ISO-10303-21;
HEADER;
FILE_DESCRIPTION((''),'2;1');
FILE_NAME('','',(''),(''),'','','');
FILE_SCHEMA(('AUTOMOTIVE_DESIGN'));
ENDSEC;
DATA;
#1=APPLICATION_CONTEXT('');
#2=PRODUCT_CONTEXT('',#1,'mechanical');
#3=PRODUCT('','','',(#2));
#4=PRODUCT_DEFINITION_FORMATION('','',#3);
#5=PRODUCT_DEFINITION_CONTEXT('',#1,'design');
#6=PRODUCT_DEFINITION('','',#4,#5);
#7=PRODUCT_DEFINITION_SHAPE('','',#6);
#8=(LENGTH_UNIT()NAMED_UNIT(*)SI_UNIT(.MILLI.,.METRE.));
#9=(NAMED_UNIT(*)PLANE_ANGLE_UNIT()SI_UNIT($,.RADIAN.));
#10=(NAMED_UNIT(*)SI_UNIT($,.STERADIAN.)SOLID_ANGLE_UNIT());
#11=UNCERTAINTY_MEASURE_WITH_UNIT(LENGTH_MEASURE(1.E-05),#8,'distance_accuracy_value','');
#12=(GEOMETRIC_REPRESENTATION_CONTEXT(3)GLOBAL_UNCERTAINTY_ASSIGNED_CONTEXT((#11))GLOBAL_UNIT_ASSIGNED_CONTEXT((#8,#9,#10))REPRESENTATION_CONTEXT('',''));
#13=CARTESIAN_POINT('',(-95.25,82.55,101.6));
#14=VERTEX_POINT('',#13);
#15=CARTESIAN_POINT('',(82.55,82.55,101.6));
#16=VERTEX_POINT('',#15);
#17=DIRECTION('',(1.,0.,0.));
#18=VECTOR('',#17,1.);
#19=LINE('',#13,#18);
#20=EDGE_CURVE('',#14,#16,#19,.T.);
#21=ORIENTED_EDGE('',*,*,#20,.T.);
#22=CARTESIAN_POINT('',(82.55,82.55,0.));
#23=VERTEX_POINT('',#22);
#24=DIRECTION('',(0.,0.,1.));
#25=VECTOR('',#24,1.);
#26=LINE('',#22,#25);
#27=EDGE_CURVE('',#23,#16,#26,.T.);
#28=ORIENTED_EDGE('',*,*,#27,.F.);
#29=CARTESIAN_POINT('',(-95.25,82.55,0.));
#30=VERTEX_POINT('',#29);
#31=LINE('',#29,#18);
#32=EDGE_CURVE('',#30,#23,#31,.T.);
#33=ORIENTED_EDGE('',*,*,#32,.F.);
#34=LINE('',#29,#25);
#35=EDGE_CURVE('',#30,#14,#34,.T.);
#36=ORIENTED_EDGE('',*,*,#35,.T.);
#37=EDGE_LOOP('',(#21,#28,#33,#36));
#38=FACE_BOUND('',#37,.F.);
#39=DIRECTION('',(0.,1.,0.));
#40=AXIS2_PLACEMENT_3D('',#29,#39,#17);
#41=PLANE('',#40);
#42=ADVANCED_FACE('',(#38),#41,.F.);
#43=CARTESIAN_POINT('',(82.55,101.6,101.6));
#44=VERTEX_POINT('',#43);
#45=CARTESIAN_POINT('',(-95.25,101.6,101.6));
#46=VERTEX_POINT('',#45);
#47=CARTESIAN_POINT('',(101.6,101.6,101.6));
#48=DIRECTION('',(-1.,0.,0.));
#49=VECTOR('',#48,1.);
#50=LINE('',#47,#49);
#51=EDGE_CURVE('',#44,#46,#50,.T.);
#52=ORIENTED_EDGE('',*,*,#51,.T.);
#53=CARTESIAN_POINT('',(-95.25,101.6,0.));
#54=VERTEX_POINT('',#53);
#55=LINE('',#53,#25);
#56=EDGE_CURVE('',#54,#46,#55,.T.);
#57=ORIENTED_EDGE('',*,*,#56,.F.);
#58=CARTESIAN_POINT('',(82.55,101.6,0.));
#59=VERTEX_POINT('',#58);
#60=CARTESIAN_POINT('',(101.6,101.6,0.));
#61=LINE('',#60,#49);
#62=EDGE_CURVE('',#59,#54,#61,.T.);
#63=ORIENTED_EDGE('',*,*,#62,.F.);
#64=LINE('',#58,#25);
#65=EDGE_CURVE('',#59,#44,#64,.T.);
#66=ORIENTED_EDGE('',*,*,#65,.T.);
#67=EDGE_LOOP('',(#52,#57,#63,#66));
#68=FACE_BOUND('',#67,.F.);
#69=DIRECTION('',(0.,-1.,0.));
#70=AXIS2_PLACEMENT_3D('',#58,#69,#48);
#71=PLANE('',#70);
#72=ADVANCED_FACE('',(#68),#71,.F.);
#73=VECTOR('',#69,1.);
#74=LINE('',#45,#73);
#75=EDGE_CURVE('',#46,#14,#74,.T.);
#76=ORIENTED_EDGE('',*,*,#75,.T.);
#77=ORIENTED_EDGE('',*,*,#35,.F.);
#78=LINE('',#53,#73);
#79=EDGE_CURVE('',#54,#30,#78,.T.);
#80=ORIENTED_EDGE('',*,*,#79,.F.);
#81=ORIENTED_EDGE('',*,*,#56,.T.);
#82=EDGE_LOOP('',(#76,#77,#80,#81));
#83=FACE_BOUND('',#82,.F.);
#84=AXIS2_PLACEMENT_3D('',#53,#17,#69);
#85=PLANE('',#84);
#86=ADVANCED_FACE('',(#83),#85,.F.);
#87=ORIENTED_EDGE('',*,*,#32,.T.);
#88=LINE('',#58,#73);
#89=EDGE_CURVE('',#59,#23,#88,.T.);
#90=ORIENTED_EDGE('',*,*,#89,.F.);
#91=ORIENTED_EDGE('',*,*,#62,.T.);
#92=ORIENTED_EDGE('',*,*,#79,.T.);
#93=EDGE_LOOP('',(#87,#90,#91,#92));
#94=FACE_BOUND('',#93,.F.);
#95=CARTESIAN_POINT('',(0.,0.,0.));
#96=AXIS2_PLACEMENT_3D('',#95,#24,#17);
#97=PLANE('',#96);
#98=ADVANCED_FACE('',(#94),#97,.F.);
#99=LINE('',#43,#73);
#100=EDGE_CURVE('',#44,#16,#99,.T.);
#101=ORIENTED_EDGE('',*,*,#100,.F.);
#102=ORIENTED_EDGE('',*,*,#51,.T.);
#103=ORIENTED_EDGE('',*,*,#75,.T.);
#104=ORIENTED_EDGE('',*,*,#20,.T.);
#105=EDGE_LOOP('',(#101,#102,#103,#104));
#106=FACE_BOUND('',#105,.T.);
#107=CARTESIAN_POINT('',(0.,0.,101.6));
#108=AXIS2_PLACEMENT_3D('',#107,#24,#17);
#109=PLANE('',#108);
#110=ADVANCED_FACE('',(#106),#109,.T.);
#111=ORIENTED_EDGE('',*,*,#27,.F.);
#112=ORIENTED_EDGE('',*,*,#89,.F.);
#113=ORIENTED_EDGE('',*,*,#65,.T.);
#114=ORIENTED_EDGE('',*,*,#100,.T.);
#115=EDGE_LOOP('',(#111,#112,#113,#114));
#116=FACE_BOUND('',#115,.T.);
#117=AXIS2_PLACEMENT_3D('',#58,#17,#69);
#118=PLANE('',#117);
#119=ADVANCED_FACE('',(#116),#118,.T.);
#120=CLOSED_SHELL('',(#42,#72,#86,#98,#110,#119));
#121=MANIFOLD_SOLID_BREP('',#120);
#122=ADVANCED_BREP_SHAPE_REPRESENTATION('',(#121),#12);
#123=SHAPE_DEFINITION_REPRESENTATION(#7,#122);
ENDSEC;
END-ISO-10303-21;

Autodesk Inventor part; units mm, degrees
ref_plane "YZ Plane" through (0, 0, 0) normal (1, 0, 0) x (0, 1, 0)
ref_plane "XZ Plane" through (0, 0, 0) normal (0, 1, 0) x (-1, 0, 0)
ref_plane "Work Plane1" through (0, 0, 0) normal (0, 0, 1) x (1, 0, 0)
sketch "Sketch1" plane through (0, 0, 0) normal (0, 0, 1) x (1, 0, 0)
  line L0 (82.55, 101.6) -> (82.55, -101.6) projected
  line L1 (101.6, 101.6) -> (-101.6, 101.6) projected
  line L2 (-95.25, 101.6) -> (-95.25, -101.6) projected
  line L3 (82.55, 101.6) -> (-95.25, 101.6)
  line L4 (-95.25, 101.6) -> (-95.25, 82.55)
  line L5 (-95.25, 82.55) -> (82.55, 82.55)
  line L6 (82.55, 82.55) -> (82.55, 101.6)
  point P0 (0, 0)
  point P1 (82.55, 82.55)
  dimension "d0" = 19.05
extrude "Extrusion1" add sketch "Sketch1" along normal blind 101.6
properties part number "woodForkFrontSupport"
